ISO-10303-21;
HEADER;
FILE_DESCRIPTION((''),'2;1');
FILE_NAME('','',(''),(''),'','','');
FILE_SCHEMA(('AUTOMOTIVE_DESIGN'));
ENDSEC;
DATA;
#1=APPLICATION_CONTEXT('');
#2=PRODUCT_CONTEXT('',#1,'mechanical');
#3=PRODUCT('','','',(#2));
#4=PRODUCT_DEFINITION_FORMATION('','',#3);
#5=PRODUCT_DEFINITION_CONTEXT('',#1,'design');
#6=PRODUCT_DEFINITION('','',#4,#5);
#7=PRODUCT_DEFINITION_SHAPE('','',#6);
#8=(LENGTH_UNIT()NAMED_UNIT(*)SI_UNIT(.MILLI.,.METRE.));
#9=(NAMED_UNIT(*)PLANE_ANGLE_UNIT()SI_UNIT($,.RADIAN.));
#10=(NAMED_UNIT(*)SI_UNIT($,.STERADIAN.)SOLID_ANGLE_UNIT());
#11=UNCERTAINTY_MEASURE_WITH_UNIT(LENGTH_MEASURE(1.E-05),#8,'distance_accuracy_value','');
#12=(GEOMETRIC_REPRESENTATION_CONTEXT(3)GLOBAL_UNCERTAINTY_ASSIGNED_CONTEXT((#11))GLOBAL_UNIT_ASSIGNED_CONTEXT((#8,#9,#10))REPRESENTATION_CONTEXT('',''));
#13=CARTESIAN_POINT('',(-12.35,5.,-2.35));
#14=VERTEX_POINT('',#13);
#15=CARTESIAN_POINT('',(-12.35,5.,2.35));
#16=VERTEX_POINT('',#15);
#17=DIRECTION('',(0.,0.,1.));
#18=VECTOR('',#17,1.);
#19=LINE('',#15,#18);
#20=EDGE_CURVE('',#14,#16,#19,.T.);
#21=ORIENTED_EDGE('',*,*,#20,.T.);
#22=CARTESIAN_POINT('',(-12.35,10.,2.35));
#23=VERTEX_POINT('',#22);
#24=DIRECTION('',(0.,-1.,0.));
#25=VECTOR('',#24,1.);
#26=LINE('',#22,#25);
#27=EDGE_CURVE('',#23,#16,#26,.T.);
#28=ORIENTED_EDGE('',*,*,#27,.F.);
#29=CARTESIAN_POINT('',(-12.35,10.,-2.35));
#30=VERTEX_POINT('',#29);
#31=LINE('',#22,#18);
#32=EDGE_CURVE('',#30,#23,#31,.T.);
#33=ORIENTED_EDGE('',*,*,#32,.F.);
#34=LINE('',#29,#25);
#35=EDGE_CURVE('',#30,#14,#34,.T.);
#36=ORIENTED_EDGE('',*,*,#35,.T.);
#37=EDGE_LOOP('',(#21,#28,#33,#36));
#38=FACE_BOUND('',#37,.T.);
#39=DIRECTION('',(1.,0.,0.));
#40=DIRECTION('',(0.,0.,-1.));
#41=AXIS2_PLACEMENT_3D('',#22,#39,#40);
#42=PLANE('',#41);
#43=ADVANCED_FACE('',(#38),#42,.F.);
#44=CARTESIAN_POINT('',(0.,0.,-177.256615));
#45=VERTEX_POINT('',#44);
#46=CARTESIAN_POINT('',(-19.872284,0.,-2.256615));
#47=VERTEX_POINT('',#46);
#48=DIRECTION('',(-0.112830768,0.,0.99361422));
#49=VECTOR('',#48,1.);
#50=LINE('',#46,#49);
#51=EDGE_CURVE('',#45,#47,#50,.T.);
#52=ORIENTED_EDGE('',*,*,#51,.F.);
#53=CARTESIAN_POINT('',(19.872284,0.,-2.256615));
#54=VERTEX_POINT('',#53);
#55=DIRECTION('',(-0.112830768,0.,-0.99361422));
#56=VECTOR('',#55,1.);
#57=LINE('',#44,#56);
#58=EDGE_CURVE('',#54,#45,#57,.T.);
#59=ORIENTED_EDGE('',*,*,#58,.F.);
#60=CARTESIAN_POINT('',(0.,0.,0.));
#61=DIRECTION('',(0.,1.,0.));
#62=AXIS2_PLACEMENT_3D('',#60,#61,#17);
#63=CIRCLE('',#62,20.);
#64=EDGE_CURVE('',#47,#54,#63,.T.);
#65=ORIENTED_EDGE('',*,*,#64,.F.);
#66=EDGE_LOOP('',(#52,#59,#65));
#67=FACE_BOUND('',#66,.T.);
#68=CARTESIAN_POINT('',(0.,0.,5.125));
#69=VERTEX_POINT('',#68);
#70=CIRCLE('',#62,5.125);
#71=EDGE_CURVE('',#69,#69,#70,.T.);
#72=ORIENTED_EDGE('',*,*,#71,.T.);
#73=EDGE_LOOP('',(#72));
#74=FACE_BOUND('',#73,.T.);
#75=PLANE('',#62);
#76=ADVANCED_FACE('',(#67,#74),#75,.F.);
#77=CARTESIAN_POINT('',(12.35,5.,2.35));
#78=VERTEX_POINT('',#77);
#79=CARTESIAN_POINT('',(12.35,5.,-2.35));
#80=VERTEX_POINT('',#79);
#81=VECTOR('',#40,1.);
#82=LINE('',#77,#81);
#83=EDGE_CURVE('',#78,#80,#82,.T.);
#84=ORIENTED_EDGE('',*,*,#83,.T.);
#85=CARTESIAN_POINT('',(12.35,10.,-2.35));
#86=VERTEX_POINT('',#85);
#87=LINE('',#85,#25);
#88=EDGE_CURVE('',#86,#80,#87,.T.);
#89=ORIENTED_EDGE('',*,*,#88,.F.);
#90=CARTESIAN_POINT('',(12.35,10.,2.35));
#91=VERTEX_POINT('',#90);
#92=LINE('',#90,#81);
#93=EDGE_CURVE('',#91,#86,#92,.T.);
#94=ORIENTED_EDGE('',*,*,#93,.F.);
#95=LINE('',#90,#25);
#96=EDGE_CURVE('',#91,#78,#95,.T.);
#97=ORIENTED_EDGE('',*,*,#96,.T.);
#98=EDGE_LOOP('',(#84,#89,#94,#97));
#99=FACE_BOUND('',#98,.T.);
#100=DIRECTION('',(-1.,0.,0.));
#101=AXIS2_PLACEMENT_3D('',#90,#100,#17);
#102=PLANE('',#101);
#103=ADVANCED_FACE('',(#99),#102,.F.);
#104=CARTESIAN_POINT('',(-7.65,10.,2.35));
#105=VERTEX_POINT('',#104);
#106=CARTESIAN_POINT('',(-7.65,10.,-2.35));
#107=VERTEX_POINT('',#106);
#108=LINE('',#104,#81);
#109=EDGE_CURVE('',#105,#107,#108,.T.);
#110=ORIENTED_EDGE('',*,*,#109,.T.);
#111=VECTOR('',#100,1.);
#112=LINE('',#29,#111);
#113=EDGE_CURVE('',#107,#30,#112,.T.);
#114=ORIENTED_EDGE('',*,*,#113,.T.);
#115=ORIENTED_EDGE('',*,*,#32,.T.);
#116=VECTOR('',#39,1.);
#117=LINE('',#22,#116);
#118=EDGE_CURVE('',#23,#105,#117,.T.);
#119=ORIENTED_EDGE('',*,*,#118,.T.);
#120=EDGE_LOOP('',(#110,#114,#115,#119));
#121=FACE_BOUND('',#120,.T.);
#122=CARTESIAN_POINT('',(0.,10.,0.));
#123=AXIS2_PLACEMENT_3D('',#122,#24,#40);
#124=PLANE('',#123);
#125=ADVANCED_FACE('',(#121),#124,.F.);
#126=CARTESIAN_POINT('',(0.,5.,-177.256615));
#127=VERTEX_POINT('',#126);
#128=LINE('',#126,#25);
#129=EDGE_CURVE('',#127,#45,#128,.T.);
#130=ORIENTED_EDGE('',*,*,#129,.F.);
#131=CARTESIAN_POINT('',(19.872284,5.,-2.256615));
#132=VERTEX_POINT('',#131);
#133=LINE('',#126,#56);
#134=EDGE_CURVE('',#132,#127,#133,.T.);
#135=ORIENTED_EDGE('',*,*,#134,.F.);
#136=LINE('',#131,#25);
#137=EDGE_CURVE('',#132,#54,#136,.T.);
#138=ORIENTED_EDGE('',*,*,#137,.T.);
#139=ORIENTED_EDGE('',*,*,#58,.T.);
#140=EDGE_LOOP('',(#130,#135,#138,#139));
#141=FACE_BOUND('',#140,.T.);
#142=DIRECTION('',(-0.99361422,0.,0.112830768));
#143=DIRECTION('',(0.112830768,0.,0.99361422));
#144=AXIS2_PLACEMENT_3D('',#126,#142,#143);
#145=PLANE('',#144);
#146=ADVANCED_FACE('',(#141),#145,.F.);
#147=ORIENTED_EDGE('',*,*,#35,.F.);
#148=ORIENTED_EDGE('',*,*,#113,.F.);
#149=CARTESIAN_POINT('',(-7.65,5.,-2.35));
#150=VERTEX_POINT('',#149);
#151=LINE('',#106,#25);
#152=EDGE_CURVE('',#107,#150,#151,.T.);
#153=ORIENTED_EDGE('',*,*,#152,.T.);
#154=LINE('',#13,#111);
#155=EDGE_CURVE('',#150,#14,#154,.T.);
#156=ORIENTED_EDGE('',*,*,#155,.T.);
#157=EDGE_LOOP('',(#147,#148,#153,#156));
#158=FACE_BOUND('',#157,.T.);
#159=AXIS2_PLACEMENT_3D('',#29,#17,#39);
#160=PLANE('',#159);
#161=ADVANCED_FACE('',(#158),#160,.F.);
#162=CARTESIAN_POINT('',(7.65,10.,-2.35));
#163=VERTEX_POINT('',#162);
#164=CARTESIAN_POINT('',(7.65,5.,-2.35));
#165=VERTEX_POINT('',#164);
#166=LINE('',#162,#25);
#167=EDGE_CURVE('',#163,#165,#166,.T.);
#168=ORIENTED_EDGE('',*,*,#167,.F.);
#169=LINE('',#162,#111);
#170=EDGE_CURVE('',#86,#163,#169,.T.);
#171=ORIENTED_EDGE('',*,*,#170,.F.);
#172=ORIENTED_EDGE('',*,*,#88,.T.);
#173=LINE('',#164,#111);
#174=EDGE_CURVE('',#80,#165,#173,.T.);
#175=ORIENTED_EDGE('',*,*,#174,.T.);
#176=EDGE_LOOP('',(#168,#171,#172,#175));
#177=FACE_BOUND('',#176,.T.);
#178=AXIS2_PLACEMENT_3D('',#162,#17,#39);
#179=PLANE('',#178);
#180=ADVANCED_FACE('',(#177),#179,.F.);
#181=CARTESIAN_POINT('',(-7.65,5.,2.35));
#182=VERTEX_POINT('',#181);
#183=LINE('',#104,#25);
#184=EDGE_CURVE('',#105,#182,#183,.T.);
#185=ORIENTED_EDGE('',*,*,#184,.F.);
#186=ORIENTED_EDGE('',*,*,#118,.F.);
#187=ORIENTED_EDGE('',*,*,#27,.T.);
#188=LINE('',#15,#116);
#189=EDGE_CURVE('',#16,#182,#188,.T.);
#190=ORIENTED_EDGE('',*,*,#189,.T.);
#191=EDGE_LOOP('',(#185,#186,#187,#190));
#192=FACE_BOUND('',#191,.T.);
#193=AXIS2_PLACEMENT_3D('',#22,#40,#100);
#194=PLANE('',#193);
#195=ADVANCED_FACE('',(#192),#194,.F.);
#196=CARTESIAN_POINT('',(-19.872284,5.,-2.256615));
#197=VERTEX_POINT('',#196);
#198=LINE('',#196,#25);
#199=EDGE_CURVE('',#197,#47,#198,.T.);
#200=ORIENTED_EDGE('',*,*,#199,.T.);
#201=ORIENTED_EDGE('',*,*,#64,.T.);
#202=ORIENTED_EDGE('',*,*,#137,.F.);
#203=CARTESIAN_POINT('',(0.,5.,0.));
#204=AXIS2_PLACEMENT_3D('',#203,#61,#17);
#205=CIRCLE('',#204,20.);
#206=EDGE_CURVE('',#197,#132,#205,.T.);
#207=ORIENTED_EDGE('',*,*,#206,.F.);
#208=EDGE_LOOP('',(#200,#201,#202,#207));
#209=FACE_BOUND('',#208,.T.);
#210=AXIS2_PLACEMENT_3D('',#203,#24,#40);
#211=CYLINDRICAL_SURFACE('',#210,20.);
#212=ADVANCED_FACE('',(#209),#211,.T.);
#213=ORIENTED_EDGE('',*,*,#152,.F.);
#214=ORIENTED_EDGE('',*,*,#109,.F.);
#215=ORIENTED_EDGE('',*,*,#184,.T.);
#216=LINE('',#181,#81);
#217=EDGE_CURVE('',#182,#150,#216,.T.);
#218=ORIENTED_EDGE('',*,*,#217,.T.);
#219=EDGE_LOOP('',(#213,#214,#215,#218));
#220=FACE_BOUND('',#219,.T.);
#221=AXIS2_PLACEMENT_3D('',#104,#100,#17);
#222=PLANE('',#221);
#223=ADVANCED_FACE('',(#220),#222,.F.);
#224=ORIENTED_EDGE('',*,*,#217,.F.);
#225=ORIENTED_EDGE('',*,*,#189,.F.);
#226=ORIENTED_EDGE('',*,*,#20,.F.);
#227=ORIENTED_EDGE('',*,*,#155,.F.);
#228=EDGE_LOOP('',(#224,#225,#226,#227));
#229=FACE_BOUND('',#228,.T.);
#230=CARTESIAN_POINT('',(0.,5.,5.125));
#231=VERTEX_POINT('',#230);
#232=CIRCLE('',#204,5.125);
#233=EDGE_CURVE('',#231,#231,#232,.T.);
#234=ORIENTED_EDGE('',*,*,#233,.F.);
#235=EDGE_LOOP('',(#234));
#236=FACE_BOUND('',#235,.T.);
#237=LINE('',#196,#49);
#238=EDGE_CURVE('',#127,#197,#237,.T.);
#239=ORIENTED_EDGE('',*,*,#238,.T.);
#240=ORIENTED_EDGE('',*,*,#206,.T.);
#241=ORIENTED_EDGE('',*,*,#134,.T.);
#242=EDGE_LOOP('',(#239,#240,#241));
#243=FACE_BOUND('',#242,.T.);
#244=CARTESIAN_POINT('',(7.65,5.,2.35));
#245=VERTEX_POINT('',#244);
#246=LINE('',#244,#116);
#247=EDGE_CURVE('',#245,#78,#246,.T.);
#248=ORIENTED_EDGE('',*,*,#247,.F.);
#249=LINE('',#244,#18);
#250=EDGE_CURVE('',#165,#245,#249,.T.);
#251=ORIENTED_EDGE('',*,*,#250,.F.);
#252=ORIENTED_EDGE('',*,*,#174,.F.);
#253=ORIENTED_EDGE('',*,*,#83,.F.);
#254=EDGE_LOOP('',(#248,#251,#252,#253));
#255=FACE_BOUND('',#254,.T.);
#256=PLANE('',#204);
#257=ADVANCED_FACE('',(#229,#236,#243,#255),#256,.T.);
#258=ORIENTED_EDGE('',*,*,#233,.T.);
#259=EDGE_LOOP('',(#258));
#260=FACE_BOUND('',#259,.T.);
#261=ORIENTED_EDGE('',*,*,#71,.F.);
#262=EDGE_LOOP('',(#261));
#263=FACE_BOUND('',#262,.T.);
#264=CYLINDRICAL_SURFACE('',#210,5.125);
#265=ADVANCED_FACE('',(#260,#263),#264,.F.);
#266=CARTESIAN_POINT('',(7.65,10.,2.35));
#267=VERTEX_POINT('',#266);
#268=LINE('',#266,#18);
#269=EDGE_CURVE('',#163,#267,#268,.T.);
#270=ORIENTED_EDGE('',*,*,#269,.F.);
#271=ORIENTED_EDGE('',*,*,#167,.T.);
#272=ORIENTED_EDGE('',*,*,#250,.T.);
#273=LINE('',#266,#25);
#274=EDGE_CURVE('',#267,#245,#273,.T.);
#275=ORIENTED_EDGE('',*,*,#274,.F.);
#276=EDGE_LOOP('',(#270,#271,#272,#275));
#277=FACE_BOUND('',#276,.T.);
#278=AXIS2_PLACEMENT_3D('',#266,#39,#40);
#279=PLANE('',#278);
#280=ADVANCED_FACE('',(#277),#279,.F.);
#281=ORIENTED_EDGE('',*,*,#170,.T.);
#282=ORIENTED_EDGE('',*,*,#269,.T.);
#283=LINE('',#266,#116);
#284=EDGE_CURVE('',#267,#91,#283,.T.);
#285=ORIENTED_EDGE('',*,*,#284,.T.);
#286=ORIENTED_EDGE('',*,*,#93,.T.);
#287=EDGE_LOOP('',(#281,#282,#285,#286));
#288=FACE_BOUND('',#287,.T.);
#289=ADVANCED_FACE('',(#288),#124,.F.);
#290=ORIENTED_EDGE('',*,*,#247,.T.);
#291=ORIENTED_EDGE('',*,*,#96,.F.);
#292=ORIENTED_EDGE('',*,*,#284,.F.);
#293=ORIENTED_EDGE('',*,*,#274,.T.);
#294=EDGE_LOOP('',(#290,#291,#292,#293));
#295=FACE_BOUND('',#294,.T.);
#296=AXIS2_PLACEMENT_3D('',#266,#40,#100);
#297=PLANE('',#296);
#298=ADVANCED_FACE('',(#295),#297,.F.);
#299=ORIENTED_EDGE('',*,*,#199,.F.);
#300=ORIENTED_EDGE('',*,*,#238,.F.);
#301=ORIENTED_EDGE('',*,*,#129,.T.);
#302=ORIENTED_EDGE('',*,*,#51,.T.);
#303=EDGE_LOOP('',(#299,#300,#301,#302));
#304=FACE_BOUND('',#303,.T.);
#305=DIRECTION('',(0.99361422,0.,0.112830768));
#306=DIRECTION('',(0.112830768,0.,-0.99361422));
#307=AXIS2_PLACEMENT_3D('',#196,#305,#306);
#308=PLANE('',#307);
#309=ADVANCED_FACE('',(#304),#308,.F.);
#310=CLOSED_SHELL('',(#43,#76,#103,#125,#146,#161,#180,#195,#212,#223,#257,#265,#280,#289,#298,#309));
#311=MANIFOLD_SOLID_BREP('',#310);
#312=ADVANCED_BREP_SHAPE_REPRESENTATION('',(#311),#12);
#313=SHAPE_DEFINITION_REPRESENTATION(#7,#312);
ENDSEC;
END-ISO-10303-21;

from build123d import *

# Parameters (mm, degrees)
SKETCH1_R           = 5.125
BOSS_EXTRUDE1_DEPTH = 5
SKETCH2_W           = 4.7
SKETCH2_H           = 4.7
BOSS_EXTRUDE2_DEPTH = 5


with BuildPart() as part:
    # Sketch1 → Boss-Extrude1 (new body)
    with BuildSketch(Plane(origin=(0, 0, 0), x_dir=(1, 0, 0), z_dir=(0, 1, 0))):
        with BuildLine():
            Line((-19.872284397, 2.256615355), (0, 177.256615355))
            Line((0, 177.256615355), (19.872284397, 2.256615355))
            ThreePointArc((19.872284397, 2.256615355), (0, -20), (-19.872284397, 2.256615355))
        make_face()
        Circle(SKETCH1_R, mode=Mode.SUBTRACT)
    extrude(amount=BOSS_EXTRUDE1_DEPTH)

    # Sketch2 → Boss-Extrude2 (add)
    with BuildSketch(Plane(origin=(0, 5, 0), x_dir=(1, 0, 0), z_dir=(0, 1, 0))):
        with Locations((10, 0)):
            Rectangle(SKETCH2_W, SKETCH2_H)
        with Locations((-10, 0)):
            Rectangle(SKETCH2_W, SKETCH2_H)
    extrude(amount=BOSS_EXTRUDE2_DEPTH)


solid = part.part
